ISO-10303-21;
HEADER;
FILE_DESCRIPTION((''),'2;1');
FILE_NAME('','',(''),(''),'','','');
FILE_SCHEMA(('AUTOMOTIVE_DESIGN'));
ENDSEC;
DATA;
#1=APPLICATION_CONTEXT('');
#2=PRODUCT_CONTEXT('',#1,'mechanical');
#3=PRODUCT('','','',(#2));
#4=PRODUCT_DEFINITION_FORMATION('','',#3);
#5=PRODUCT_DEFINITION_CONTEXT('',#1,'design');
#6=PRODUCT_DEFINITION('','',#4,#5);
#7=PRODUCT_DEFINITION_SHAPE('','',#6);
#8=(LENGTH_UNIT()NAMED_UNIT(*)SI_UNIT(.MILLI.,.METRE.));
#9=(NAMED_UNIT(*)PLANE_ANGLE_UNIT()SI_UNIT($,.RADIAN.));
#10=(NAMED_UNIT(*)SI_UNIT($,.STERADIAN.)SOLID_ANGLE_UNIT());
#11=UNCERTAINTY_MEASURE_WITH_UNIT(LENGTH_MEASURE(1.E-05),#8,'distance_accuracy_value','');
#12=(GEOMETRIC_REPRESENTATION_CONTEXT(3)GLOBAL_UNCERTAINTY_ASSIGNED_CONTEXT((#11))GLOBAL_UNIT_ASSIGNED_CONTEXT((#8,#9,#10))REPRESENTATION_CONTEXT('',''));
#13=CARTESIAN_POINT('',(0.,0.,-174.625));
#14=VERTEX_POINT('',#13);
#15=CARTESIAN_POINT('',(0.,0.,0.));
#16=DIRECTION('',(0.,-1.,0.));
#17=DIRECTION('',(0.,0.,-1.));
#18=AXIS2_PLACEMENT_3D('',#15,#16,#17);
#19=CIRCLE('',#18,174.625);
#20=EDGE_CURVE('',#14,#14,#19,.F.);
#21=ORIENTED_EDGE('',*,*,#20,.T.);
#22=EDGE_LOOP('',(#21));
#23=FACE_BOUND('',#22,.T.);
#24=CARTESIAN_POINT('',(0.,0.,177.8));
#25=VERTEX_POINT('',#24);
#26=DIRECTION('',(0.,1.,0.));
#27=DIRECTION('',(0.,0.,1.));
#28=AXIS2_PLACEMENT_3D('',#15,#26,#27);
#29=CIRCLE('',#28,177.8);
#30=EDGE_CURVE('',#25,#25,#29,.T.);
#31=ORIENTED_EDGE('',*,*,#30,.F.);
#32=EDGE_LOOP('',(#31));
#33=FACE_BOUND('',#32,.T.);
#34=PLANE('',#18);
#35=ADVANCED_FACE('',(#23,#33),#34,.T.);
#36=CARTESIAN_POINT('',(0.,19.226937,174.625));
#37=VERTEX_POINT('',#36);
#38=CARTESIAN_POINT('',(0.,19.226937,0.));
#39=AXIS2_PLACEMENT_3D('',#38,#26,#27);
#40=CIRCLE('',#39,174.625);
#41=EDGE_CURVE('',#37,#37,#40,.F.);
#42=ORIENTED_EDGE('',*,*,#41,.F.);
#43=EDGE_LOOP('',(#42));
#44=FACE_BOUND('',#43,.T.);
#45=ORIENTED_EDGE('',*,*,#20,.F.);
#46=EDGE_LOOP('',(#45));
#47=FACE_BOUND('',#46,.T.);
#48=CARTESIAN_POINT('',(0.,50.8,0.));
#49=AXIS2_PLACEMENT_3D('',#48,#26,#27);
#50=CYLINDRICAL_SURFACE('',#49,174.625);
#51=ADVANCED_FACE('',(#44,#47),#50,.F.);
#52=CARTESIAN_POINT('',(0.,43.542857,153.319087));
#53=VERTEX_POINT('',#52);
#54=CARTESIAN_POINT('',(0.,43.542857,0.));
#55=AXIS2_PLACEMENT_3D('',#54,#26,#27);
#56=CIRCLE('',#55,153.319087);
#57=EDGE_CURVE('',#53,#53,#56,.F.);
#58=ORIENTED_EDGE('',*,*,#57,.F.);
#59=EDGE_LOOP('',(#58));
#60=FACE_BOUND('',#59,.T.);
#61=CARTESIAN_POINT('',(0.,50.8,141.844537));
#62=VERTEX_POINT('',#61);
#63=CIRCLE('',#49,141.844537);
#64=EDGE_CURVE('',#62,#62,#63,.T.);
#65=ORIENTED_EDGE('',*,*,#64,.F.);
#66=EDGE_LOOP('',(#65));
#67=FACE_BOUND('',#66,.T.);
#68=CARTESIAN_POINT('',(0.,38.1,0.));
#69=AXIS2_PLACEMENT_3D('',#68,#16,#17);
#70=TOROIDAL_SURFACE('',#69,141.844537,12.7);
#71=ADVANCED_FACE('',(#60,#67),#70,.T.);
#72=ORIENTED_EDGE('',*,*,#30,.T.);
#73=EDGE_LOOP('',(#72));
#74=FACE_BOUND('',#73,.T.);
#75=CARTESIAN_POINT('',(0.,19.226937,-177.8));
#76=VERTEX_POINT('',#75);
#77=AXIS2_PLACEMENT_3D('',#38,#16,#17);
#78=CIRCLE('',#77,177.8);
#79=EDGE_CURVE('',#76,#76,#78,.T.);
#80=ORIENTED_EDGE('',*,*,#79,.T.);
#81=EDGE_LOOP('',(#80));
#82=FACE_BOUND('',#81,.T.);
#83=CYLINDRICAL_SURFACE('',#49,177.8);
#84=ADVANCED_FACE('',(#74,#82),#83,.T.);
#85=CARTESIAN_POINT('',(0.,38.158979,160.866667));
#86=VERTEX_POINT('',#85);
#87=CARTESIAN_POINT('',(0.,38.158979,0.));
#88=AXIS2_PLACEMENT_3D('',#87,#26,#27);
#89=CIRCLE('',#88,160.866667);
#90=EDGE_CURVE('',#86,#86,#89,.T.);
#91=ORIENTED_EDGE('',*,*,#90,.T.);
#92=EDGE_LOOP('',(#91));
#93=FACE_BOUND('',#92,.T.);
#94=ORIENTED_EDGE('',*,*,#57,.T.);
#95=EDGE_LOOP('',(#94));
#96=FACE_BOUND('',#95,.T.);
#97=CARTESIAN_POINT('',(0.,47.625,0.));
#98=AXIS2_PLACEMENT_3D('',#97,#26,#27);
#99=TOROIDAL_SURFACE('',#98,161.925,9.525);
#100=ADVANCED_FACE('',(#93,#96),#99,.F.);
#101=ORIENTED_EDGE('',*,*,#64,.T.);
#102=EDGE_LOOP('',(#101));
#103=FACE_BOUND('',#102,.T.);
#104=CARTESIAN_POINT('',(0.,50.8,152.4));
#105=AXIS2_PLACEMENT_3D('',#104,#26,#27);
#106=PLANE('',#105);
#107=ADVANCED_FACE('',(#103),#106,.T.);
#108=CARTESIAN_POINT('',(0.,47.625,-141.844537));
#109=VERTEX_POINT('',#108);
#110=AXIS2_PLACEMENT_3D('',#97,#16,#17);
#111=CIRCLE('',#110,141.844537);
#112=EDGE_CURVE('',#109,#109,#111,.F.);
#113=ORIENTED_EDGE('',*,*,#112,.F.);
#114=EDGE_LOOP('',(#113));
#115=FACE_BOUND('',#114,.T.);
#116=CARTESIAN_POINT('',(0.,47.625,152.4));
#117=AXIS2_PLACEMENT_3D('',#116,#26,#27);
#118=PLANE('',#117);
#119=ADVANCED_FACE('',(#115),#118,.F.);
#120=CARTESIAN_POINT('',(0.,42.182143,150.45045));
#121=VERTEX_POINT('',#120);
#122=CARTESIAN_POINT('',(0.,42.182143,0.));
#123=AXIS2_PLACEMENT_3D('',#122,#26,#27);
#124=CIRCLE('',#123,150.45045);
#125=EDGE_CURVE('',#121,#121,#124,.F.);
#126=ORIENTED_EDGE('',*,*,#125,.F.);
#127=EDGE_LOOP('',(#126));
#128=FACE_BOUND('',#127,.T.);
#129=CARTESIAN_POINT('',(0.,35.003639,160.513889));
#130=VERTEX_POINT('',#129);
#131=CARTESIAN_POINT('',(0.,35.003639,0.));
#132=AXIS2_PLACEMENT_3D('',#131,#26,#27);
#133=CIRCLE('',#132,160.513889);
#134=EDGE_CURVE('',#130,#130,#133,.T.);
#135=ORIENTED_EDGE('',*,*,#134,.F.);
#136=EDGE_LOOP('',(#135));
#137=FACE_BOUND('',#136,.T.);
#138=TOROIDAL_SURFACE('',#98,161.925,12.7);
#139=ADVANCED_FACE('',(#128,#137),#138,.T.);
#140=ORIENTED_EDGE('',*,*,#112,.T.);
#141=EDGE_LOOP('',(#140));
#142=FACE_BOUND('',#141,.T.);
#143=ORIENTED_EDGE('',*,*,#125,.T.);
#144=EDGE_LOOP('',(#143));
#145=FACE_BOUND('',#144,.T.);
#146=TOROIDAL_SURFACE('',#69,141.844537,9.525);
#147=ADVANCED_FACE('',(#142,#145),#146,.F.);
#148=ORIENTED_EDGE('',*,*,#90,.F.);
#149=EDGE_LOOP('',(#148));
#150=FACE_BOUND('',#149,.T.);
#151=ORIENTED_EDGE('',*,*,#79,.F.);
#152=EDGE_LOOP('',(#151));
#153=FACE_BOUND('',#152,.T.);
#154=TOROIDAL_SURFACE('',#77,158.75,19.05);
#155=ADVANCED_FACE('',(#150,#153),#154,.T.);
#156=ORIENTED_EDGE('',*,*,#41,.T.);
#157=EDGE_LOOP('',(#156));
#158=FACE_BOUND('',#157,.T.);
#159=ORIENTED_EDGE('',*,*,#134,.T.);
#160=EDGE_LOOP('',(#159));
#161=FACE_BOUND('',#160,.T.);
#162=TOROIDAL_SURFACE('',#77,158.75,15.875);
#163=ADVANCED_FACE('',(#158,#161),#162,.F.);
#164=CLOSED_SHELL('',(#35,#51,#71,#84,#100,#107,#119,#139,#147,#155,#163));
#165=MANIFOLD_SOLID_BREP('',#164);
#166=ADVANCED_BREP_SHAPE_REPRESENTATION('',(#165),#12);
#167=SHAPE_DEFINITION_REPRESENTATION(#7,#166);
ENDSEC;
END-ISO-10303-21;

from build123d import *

# Parameters (mm, degrees)
FILLET1_R = 9.525
FILLET2_R = 19.05
FILLET3_R = 12.7
SHELL1_T  = -3.175


with BuildPart() as part:
    # Sketch1 → Revolve1 (revolve)
    with BuildSketch(Plane(origin=(0, 0, 0), x_dir=(0, 0, -1), z_dir=(1, 0, 0))):
        Polygon((0, 0), (-177.8, 0), (-177.8, 38.1), (-152.4, 38.1), (-152.4, 50.8), (0, 50.8), align=None)
    revolve(axis=Axis((0, 50.8, 0), (0, -1, 0)))

    # Fillet1
    fillet1_edges = [part.edges().sort_by_distance(p)[0] for p in [
        (0, 38.1, -152.4),
    ]]
    fillet(fillet1_edges, radius=FILLET1_R)

    # Fillet2
    fillet2_edges = [part.edges().sort_by_distance(p)[0] for p in [
        (0, 38.1, -177.8),
    ]]
    fillet(fillet2_edges, radius=FILLET2_R)

    # Fillet3
    fillet3_edges = [part.edges().sort_by_distance(p)[0] for p in [
        (0, 50.8, -152.4),
    ]]
    fillet(fillet3_edges, radius=FILLET3_R)

    # Shell1
    shell1_openings = [part.faces().sort_by_distance(p)[0] for p in [
        (0, 0, 0),
    ]]
    offset(amount=SHELL1_T, openings=shell1_openings, kind=Kind.INTERSECTION)


solid = part.part
